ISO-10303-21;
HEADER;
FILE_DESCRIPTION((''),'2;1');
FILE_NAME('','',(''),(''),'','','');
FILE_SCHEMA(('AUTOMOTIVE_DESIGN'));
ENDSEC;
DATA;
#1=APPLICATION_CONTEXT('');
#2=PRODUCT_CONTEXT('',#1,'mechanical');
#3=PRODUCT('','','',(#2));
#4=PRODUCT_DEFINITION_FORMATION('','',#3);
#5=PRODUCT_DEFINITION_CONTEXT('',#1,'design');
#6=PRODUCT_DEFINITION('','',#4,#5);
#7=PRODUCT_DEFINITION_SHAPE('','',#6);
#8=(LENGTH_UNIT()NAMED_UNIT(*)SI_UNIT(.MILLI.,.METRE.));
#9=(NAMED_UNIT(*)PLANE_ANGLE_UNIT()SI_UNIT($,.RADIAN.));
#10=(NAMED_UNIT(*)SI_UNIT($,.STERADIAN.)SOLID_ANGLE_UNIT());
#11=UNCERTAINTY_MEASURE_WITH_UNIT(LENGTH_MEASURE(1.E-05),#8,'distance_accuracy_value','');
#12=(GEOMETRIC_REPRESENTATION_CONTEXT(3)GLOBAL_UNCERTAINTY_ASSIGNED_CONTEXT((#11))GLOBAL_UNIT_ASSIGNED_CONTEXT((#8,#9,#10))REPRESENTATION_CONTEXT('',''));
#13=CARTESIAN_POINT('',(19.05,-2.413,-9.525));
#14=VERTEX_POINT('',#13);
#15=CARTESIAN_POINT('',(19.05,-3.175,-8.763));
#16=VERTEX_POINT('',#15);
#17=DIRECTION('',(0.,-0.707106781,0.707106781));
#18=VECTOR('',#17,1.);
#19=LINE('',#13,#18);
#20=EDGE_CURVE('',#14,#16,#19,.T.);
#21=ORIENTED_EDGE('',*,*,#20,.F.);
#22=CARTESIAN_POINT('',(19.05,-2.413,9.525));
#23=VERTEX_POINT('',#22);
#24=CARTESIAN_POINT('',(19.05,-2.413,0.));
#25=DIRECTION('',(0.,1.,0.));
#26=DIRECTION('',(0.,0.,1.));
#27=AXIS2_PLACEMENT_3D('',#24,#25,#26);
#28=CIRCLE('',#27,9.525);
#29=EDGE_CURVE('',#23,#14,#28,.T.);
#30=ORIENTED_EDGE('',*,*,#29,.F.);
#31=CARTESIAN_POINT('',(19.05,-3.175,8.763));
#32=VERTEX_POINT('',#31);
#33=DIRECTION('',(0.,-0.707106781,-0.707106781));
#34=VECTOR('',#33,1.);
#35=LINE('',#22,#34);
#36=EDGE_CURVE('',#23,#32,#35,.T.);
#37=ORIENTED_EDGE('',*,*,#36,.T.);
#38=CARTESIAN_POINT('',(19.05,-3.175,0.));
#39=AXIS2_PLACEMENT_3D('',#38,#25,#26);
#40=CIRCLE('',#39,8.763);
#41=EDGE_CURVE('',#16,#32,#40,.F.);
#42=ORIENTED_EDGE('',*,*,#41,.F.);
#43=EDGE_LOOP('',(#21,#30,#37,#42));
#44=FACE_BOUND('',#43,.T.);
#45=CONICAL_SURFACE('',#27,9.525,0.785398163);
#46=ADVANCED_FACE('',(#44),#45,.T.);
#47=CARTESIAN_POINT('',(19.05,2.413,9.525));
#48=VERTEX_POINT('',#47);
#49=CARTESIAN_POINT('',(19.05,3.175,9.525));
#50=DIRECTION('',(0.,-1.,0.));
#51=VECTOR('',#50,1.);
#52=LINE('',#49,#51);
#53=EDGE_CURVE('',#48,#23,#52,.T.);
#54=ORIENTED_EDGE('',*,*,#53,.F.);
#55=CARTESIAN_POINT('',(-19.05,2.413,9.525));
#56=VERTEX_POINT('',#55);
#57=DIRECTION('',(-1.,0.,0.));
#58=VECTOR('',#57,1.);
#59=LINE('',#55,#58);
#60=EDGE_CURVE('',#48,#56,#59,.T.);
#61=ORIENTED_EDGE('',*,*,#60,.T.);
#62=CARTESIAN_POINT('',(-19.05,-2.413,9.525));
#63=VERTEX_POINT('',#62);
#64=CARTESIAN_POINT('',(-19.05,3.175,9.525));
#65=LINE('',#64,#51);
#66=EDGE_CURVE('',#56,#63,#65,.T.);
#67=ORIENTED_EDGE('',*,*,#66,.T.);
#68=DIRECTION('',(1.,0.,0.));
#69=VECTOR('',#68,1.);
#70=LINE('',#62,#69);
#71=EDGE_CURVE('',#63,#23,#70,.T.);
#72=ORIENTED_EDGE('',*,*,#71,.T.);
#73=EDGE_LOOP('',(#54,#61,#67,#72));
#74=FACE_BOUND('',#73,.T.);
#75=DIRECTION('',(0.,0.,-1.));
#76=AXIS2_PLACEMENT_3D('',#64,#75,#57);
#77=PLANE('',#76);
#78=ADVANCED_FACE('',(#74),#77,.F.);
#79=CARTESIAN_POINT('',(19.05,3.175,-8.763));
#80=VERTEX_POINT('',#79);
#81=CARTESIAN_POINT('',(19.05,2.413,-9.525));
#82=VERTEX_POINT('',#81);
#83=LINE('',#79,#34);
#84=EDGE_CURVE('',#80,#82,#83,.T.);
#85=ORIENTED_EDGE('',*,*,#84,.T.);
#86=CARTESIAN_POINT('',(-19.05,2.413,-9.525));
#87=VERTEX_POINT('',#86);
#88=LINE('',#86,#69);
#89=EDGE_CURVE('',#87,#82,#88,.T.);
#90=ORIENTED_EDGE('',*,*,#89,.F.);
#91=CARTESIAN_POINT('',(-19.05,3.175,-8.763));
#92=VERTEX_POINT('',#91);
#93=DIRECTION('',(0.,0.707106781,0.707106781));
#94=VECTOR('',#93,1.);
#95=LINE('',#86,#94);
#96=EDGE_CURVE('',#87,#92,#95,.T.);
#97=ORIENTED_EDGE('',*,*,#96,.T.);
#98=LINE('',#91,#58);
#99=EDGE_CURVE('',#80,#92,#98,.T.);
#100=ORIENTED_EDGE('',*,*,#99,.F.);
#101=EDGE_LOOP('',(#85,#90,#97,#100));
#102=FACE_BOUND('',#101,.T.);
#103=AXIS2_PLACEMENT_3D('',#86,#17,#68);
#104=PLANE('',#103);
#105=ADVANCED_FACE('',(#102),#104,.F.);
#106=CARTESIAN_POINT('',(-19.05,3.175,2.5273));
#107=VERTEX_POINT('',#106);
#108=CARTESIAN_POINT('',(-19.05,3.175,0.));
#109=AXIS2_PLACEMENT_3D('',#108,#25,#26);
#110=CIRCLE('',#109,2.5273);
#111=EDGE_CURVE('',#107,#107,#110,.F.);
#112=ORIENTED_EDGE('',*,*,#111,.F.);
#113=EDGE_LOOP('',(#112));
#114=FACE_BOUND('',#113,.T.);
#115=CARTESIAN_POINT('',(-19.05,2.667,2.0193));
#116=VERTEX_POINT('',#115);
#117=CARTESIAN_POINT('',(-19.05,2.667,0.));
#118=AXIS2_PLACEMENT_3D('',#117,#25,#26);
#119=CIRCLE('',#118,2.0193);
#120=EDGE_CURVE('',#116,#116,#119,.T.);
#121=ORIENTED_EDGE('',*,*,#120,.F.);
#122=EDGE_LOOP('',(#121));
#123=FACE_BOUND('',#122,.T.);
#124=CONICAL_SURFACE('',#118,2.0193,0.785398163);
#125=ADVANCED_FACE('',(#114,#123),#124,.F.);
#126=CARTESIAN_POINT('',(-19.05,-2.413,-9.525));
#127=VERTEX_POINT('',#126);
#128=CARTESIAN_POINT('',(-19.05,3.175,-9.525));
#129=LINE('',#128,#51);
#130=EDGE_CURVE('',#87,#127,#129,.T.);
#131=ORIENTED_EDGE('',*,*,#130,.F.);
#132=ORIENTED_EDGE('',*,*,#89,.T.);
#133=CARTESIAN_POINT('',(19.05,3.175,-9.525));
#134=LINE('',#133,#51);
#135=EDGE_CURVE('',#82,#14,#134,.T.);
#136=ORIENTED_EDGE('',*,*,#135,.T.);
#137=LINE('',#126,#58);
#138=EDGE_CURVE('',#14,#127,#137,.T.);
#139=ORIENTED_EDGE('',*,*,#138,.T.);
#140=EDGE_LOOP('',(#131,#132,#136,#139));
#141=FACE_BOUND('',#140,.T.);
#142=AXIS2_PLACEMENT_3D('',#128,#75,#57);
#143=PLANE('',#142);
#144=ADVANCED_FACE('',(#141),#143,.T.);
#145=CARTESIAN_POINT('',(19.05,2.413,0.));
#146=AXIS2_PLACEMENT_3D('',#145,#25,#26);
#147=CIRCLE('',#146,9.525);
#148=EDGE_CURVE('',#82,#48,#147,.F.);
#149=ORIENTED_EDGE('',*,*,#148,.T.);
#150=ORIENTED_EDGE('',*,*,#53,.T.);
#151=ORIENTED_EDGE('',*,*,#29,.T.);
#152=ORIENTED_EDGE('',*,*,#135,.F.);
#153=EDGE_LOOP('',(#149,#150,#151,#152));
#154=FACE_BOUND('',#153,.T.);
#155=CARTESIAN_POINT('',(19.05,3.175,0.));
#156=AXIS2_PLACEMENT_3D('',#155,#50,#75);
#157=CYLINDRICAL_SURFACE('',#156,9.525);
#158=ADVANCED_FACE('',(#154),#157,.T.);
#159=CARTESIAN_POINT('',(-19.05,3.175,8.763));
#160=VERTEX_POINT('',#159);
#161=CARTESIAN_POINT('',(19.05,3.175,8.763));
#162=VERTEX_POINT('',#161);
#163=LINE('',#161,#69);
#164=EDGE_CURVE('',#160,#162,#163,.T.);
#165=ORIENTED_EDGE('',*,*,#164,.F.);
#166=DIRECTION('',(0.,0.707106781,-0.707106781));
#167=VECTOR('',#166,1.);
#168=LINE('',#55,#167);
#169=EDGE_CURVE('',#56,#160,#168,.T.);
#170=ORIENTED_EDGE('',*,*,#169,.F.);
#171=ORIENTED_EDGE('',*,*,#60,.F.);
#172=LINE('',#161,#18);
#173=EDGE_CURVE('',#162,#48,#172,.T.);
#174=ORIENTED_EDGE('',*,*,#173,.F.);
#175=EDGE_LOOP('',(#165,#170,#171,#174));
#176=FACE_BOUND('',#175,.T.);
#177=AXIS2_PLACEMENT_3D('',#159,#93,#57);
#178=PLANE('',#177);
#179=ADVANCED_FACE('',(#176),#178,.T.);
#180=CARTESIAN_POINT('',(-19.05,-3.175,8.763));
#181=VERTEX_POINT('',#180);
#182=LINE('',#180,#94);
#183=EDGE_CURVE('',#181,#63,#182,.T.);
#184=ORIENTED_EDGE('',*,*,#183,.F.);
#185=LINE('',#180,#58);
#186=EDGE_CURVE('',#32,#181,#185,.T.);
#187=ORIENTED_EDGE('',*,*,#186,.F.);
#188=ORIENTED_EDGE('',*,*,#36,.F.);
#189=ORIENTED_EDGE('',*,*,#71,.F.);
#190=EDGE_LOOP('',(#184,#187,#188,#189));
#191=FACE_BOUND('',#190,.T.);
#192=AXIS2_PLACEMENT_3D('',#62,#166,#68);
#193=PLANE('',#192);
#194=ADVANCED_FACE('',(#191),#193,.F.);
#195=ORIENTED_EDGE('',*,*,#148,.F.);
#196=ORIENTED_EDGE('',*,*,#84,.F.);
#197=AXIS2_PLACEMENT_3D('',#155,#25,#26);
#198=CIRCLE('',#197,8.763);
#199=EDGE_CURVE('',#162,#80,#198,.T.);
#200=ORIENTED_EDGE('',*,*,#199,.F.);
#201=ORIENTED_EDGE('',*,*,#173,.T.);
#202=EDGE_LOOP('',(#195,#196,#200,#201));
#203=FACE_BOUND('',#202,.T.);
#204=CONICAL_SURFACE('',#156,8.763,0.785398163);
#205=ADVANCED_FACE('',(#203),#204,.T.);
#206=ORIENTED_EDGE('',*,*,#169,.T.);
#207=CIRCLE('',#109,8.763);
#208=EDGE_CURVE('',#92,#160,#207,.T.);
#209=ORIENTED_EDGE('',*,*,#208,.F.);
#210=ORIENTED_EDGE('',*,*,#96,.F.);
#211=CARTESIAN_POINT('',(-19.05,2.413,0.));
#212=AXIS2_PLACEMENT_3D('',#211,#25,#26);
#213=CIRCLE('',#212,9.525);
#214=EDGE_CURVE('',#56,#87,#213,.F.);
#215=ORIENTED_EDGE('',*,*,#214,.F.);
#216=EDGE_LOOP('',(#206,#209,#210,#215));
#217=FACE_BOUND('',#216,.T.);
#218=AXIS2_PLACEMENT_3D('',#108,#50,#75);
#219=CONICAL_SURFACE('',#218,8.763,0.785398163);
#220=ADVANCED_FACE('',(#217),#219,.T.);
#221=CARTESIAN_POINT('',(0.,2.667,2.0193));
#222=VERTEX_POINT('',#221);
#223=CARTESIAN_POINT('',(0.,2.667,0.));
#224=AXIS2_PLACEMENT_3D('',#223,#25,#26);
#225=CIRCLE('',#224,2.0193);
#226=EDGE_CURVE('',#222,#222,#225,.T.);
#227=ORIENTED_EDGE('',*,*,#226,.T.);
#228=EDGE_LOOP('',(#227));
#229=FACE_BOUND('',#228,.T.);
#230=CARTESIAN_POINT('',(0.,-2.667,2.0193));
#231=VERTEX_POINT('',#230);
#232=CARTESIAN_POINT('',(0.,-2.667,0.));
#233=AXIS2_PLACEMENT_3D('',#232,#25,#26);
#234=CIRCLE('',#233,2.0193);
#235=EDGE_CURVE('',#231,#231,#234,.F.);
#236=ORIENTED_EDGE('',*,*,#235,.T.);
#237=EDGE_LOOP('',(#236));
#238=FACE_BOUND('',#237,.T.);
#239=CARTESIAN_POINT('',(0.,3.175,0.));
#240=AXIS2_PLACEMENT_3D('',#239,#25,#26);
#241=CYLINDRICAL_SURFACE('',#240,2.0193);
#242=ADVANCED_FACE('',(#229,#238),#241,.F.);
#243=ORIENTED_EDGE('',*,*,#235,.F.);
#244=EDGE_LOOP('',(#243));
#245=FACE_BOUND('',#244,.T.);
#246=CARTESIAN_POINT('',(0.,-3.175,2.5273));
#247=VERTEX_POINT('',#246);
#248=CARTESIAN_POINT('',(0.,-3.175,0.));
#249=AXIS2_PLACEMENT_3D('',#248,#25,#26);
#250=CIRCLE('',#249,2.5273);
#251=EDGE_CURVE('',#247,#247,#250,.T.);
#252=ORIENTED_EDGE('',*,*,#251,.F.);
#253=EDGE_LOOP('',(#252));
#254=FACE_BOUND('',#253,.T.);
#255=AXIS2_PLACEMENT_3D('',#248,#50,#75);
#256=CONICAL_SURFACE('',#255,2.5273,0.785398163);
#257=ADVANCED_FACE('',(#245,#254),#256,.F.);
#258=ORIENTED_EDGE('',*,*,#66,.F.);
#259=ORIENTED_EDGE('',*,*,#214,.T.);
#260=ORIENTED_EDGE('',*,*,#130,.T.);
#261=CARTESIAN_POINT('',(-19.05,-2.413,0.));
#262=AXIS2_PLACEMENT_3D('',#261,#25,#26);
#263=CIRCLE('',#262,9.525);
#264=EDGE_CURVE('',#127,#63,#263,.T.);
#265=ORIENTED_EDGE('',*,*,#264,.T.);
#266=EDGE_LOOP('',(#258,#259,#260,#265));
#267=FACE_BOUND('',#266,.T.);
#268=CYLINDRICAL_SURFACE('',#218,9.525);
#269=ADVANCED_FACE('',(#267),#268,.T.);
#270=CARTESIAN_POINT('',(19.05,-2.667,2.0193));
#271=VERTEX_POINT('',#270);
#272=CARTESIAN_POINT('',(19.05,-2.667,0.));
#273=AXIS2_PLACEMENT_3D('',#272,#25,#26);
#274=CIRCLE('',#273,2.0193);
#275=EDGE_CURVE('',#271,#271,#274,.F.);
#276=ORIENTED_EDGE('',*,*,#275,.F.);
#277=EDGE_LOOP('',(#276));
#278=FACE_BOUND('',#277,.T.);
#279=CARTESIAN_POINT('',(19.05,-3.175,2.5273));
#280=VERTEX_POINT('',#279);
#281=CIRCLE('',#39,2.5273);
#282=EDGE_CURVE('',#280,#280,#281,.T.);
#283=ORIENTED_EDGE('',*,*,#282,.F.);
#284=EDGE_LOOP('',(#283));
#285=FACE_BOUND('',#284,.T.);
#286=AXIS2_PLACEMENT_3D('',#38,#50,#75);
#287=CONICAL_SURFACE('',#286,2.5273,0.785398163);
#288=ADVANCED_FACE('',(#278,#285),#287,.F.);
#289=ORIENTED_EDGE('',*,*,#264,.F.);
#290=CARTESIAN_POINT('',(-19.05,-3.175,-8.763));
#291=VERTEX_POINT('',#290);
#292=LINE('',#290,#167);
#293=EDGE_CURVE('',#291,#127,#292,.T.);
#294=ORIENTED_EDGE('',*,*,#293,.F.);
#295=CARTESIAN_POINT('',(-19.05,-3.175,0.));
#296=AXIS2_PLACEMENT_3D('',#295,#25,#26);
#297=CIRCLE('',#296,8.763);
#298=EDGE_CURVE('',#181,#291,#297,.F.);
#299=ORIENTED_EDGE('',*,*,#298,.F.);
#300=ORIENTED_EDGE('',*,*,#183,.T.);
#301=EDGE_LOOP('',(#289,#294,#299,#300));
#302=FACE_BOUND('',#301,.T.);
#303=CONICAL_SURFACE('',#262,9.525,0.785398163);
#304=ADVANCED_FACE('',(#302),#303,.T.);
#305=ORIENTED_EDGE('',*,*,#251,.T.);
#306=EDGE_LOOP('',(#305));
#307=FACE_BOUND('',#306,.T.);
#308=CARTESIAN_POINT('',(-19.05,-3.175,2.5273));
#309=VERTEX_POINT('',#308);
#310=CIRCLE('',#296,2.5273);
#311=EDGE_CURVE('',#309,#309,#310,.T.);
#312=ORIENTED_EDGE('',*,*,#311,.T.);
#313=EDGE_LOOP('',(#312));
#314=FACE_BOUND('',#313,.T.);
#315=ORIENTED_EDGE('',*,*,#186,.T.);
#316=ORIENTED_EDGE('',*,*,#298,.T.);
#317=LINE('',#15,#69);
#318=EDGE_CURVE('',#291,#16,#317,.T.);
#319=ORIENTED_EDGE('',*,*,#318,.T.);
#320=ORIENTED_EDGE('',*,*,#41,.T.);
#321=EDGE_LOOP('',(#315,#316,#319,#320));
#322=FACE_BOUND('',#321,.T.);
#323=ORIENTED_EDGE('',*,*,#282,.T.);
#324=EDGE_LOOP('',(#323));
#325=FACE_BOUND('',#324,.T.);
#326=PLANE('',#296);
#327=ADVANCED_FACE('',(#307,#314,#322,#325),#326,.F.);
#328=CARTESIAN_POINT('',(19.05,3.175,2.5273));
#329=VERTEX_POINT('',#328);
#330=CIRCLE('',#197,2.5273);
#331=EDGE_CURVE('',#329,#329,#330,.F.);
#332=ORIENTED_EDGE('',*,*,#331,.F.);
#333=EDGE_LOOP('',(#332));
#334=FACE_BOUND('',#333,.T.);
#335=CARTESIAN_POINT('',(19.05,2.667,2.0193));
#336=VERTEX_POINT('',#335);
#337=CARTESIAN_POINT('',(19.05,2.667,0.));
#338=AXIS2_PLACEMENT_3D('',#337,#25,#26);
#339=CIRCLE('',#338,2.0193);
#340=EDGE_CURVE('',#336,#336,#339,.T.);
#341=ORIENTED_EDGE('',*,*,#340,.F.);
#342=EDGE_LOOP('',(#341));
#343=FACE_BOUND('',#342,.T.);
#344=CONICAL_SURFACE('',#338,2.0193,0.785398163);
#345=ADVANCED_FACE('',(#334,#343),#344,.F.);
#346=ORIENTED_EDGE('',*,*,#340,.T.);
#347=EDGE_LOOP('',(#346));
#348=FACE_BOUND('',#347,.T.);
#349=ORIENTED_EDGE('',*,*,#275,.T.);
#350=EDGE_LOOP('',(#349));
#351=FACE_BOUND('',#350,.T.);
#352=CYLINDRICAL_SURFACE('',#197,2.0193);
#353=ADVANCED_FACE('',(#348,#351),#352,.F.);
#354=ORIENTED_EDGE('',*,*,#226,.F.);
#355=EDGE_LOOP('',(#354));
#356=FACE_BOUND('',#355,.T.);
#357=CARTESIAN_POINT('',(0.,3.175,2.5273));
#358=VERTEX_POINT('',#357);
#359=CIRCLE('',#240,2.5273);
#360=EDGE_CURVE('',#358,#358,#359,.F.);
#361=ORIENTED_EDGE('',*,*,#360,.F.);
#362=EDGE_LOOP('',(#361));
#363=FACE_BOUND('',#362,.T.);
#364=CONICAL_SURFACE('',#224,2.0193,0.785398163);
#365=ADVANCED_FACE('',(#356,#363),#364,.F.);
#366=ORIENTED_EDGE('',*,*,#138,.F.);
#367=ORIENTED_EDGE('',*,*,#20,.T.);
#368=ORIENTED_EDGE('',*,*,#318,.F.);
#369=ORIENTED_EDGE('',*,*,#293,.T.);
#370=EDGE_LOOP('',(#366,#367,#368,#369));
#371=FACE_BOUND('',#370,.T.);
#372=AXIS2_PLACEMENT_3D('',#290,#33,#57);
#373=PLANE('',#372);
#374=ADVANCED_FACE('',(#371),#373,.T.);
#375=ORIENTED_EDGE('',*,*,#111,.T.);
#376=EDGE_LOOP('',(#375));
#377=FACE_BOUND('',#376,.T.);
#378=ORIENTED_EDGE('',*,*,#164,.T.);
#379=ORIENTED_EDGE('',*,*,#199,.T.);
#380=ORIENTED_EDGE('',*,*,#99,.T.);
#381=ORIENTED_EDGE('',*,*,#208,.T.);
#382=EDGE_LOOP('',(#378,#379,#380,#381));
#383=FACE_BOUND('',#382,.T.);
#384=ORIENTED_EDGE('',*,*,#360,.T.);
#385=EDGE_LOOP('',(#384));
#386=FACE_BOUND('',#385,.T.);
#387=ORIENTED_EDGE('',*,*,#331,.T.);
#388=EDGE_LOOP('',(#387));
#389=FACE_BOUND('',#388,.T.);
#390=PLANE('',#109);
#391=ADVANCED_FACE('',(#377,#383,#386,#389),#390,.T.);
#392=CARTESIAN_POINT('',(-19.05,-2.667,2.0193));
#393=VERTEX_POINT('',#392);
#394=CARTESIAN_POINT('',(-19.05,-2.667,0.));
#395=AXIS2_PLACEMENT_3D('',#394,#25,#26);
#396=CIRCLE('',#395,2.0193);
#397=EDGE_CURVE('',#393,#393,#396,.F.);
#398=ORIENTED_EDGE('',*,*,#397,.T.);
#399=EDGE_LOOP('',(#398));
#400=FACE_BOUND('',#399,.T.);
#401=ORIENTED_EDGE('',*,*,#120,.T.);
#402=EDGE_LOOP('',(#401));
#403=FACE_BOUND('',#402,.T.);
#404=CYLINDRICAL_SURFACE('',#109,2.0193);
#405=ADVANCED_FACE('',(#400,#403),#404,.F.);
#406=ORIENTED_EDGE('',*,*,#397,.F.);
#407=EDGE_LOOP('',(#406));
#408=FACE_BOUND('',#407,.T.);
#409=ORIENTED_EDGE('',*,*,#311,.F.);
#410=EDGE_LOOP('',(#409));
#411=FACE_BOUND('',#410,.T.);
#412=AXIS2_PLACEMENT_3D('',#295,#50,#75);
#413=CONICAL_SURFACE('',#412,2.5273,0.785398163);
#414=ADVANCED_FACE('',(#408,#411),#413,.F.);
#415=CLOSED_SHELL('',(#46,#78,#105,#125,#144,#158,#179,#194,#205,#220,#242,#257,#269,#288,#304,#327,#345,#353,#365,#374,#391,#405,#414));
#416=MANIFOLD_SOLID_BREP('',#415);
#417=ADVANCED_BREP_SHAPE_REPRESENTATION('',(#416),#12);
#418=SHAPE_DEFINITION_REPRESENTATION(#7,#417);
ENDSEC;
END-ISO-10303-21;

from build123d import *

# Parameters (mm, degrees)
BOSS_EXTRUDE2_DEPTH        = 3.175
F_10_32_TAPPED_HOLE2_D     = 4.0386
F_10_32_TAPPED_HOLE2_DEPTH = 6.35
CHAMFER4_SIZE              = 0.762
CHAMFER5_SIZE              = 0.508


with BuildPart() as part:
    # Sketch10 → Boss-Extrude2 (new body, symmetric)
    with BuildSketch(Plane(origin=(0, 0, 0), x_dir=(1, 0, 0), z_dir=(0, 1, 0))):
        with BuildLine():
            Line((-19.05, 9.525), (19.05, 9.525))
            ThreePointArc((19.05, 9.525), (28.575, 0), (19.05, -9.525))
            Line((19.05, -9.525), (-19.05, -9.525))
            ThreePointArc((-19.05, -9.525), (-28.575, 0), (-19.05, 9.525))
        make_face()
    extrude(amount=BOSS_EXTRUDE2_DEPTH, both=True)

    # #10-32 Tapped Hole2
    with Locations(Plane(origin=(0, 3.175, 0), x_dir=(1, 0, 0), z_dir=(0, 1, 0))):
        with Locations((19.05, 0), (-19.05, 0), (0, 0)):
            Hole(F_10_32_TAPPED_HOLE2_D / 2, depth=F_10_32_TAPPED_HOLE2_DEPTH)

    # Chamfer4
    chamfer4_edges = [part.edges().sort_by_distance(p)[0] for p in [
        (28.575, 3.175, 0),
        (0, 3.175, -9.525),
        (-28.575, 3.175, 0),
        (0, -3.175, -9.525),
        (28.575, -3.175, 0),
        (0, -3.175, 9.525),
        (-28.575, -3.175, 0),
        (0, 3.175, 9.525),
    ]]
    chamfer(chamfer4_edges, length=CHAMFER4_SIZE)

    # Chamfer5
    chamfer5_edges = [part.edges().sort_by_distance(p)[0] for p in [
        (2.0193, 3.175, 0),
        (2.0193, -3.175, 0),
        (-17.0307, 3.175, 0),
        (-17.0307, -3.175, 0),
        (21.0693, 3.175, 0),
        (21.0693, -3.175, 0),
    ]]
    chamfer(chamfer5_edges, length=CHAMFER5_SIZE)


solid = part.part
